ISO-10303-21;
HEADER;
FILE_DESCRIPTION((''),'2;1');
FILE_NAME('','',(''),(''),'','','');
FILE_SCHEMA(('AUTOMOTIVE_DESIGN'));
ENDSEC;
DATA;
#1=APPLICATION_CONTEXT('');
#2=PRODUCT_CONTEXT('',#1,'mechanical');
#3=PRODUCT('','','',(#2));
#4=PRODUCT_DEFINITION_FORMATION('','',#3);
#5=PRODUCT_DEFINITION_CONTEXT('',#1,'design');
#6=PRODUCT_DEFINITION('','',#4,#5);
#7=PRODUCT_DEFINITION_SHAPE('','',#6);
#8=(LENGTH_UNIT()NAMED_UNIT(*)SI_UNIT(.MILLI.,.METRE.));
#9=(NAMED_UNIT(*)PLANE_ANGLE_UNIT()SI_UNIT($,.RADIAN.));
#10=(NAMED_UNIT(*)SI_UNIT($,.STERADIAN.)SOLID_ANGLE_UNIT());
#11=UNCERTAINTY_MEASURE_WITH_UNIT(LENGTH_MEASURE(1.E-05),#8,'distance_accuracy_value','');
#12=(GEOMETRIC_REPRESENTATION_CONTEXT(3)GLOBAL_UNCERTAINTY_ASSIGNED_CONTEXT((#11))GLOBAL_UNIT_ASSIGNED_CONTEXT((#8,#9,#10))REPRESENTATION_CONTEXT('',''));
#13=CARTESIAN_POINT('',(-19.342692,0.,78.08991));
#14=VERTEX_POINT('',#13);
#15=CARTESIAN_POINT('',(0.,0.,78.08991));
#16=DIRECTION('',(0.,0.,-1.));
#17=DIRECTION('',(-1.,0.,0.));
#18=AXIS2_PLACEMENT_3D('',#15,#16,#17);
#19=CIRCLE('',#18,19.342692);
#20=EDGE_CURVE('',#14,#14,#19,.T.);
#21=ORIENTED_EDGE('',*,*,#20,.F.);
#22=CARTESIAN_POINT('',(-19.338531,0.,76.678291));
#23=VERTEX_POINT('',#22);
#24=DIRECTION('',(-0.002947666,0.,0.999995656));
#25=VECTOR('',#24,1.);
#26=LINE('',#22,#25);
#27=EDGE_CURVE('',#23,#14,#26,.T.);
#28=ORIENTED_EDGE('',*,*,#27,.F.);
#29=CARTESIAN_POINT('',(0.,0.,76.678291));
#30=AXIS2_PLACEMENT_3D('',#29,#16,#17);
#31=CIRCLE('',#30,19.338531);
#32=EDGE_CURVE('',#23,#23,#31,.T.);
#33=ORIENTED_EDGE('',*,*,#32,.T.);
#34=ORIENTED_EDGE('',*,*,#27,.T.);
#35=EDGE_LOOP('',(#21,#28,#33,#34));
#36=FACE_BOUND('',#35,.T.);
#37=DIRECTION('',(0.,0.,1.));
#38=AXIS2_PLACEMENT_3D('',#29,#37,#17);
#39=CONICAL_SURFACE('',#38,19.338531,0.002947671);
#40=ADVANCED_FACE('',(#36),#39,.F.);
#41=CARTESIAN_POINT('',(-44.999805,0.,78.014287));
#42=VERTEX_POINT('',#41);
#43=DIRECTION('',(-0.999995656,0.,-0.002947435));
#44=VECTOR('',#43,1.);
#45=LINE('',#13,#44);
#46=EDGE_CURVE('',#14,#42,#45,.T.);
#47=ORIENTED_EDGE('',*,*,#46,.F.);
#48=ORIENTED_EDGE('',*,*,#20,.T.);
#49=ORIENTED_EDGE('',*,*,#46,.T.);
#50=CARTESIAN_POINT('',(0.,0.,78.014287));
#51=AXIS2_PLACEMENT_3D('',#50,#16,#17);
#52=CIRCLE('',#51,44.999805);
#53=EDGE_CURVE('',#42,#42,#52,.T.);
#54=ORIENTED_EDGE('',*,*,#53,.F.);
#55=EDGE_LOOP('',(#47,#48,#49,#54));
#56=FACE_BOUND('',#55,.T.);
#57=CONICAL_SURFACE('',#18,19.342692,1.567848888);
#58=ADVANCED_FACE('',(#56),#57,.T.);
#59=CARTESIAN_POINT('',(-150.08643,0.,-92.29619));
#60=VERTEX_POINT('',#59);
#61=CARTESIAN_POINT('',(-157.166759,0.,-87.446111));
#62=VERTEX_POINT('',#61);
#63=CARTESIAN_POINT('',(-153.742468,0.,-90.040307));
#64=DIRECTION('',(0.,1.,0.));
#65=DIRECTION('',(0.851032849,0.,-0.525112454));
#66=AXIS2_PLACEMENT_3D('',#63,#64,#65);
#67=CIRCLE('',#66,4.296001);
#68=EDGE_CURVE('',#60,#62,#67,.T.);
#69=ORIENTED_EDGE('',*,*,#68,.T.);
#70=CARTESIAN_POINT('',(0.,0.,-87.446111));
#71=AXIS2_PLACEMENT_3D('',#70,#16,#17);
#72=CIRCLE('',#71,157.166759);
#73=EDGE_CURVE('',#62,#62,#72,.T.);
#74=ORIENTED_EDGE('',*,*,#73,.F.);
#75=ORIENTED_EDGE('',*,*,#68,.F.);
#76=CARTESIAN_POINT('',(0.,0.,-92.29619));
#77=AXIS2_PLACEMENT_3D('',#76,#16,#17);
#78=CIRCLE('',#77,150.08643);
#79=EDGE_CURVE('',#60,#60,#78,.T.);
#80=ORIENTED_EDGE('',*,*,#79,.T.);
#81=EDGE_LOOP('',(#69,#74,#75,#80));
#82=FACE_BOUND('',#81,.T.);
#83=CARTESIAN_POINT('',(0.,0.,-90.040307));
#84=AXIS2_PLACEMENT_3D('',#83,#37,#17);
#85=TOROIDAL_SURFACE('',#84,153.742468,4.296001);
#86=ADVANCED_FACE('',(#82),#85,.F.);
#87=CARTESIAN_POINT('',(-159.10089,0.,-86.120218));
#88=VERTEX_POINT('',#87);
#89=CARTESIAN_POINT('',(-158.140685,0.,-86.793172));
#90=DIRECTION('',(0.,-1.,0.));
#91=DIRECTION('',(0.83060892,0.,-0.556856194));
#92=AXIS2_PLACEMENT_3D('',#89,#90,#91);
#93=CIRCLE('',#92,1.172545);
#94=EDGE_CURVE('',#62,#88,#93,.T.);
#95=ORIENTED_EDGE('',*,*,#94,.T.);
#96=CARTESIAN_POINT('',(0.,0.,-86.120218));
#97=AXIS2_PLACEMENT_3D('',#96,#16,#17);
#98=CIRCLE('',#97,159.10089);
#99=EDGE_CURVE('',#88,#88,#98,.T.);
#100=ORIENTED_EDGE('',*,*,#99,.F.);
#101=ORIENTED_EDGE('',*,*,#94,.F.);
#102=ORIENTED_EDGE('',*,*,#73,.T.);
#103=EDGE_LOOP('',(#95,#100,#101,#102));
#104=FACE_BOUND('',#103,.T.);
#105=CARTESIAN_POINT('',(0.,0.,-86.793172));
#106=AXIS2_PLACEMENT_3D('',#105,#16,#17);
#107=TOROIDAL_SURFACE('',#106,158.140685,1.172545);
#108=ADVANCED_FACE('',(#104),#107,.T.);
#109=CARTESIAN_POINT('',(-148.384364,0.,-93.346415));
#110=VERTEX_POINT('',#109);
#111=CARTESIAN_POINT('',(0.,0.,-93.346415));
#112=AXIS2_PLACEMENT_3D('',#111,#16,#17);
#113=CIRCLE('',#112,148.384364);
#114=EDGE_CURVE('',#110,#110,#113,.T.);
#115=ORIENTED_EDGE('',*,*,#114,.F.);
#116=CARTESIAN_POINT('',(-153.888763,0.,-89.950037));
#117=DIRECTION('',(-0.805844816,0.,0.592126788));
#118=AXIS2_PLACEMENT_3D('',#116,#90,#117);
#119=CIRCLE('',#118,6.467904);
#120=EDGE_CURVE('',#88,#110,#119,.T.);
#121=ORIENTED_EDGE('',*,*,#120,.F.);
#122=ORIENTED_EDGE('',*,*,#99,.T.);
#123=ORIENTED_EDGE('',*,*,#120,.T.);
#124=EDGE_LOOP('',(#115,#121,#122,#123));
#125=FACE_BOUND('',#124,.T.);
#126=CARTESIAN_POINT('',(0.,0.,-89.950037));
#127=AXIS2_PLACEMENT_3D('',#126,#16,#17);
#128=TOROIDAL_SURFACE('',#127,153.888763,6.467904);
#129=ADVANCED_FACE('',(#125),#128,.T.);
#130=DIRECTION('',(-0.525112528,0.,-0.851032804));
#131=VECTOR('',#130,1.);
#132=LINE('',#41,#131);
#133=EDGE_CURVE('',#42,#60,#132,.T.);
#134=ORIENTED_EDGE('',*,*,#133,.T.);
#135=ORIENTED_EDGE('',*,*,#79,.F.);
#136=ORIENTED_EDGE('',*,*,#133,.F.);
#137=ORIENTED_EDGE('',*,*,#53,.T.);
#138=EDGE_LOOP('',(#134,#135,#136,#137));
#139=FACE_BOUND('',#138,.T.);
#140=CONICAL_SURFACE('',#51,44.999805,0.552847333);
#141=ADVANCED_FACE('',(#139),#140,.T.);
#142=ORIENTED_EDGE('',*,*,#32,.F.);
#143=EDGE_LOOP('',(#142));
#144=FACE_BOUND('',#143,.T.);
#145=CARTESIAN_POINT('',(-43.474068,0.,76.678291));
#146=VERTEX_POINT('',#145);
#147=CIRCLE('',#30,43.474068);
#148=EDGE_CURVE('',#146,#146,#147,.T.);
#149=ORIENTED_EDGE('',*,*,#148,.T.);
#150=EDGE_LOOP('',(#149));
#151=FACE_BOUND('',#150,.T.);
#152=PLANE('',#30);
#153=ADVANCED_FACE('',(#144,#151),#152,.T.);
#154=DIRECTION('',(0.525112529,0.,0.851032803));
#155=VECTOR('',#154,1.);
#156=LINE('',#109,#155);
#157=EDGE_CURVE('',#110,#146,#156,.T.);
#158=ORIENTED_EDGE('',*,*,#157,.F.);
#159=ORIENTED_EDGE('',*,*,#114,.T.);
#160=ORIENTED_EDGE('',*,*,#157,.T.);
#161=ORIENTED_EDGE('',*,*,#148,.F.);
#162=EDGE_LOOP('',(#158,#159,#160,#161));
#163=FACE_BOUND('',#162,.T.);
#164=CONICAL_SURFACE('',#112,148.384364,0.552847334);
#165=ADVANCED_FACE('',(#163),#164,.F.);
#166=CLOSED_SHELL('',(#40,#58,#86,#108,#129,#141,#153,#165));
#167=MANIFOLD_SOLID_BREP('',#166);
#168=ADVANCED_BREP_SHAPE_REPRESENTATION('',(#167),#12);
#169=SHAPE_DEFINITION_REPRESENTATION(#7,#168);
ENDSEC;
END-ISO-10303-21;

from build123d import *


with BuildPart() as f2:
    # F0 (on Front) → F2 (revolve)
    with BuildSketch(Plane.XZ):
        with BuildLine():
            Line((-19.338531, 76.678291), (-19.342692, 78.08991))
            Line((-19.342692, 78.08991), (-44.999805, 78.014287))
            Line((-44.999805, 78.014287), (-150.08643, -92.29619))
            ThreePointArc((-150.08643, -92.29619), (-156.170274, -93.58451), (-157.166759, -87.446111))
            ThreePointArc((-157.166759, -87.446111), (-157.477703, -85.826055), (-159.10089, -86.120218))
            ThreePointArc((-159.10089, -86.120218), (-157.504816, -95.312681), (-148.384364, -93.346415))
            Line((-148.384364, -93.346415), (-43.474068, 76.678291))
            Line((-43.474068, 76.678291), (-19.338531, 76.678291))
        make_face()
    revolve(axis=Axis((0, 0, -21.630358), (0, 0, -1)))


solid = f2.part
